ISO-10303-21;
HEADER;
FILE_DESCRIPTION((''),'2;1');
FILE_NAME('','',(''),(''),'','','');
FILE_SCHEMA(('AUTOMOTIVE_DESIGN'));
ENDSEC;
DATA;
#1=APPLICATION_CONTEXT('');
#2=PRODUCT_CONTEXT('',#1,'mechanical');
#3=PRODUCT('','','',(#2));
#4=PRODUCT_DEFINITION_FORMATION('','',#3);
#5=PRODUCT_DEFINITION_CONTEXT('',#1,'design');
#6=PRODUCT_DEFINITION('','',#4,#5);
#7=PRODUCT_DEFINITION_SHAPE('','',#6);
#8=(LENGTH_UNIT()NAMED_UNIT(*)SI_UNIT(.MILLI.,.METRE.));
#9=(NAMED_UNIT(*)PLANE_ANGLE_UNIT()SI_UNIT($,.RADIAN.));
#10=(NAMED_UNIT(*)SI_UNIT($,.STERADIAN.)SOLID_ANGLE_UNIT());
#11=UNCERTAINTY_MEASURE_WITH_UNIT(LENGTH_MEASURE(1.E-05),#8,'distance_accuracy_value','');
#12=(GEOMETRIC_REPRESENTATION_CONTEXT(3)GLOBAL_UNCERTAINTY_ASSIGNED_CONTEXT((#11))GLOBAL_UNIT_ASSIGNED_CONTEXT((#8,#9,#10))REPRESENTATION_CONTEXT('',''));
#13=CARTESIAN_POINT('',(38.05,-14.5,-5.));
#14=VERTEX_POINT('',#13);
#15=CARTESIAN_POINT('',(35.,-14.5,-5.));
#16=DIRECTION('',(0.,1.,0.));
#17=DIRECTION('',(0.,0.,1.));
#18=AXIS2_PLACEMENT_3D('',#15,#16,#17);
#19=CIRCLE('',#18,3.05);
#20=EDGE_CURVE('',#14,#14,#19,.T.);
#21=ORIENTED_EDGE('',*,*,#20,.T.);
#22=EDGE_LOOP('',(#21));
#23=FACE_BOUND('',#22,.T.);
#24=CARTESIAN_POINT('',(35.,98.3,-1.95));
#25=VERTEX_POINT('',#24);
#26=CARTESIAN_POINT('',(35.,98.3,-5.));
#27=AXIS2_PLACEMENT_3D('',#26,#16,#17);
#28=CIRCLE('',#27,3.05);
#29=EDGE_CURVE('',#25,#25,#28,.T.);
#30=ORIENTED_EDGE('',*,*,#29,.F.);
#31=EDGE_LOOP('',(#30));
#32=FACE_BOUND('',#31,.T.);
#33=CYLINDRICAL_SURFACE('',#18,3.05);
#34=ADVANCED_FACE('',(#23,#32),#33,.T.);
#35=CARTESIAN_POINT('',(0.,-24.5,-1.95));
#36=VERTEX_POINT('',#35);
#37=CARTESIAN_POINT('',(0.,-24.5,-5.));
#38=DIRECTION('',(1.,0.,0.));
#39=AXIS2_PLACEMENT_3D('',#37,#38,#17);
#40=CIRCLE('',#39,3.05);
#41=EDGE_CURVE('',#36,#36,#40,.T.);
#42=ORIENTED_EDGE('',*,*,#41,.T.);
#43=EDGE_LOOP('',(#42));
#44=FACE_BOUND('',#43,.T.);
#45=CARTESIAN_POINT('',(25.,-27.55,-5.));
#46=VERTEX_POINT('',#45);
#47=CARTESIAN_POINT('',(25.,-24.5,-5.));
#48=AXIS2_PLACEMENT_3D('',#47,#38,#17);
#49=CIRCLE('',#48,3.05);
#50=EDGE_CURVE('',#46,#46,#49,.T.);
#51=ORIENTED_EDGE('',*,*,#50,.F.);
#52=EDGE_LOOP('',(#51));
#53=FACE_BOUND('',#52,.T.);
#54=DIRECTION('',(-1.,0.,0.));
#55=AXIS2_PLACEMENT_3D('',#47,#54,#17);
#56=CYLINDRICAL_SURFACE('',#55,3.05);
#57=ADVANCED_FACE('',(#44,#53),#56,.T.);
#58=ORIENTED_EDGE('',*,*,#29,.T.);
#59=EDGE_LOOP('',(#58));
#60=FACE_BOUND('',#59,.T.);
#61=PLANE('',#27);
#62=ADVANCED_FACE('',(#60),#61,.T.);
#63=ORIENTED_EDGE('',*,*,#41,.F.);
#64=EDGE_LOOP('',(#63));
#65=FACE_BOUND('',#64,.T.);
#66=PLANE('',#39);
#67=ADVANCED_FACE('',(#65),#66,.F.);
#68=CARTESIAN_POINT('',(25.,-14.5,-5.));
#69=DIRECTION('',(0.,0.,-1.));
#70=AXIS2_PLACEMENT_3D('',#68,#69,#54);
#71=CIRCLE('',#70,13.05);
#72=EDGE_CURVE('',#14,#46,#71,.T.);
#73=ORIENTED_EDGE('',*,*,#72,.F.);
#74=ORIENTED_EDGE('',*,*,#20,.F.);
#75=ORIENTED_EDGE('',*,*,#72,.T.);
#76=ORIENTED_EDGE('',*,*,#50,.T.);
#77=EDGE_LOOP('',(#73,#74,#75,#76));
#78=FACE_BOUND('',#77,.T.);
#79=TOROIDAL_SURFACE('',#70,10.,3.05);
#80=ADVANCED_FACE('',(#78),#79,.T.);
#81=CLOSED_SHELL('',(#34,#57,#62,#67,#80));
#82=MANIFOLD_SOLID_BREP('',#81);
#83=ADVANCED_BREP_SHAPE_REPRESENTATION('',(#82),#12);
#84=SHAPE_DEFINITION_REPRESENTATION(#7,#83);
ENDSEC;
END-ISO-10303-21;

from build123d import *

# Parameters (mm, degrees)
SKETCH2_R           = 3.05
SKETCH3_R           = 3.05
BOSS_EXTRUDE1_DEPTH = 10


with BuildPart() as part:
    # Sweep2: sweep along a path in Sketch1
    with BuildLine(Plane.XY.offset(-5)) as sweep2_path:
        Line((35, 88.3), (35, -14.5))
        ThreePointArc((35, -14.5), (32.071067812, -21.571067812), (25, -24.5))
        Line((25, -24.5), (0, -24.5))
    # Sketch2 → Sweep2 (sweep)
    with BuildSketch(Plane(origin=(0, 88.3, 0), x_dir=(1, 0, 0), z_dir=(0, 1, 0))):
        with Locations((35, 5)):
            Circle(SKETCH2_R)
    sweep(path=sweep2_path.line)

    # Sketch3 → Boss-Extrude1 (add)
    with BuildSketch(Plane(origin=(0, 88.3, 0), x_dir=(1, 0, 0), z_dir=(0, 1, 0))):
        with Locations(Location((35, 5, 0), (0, 0, 270))):
            Circle(SKETCH3_R)
    extrude(amount=BOSS_EXTRUDE1_DEPTH)


solid = part.part
